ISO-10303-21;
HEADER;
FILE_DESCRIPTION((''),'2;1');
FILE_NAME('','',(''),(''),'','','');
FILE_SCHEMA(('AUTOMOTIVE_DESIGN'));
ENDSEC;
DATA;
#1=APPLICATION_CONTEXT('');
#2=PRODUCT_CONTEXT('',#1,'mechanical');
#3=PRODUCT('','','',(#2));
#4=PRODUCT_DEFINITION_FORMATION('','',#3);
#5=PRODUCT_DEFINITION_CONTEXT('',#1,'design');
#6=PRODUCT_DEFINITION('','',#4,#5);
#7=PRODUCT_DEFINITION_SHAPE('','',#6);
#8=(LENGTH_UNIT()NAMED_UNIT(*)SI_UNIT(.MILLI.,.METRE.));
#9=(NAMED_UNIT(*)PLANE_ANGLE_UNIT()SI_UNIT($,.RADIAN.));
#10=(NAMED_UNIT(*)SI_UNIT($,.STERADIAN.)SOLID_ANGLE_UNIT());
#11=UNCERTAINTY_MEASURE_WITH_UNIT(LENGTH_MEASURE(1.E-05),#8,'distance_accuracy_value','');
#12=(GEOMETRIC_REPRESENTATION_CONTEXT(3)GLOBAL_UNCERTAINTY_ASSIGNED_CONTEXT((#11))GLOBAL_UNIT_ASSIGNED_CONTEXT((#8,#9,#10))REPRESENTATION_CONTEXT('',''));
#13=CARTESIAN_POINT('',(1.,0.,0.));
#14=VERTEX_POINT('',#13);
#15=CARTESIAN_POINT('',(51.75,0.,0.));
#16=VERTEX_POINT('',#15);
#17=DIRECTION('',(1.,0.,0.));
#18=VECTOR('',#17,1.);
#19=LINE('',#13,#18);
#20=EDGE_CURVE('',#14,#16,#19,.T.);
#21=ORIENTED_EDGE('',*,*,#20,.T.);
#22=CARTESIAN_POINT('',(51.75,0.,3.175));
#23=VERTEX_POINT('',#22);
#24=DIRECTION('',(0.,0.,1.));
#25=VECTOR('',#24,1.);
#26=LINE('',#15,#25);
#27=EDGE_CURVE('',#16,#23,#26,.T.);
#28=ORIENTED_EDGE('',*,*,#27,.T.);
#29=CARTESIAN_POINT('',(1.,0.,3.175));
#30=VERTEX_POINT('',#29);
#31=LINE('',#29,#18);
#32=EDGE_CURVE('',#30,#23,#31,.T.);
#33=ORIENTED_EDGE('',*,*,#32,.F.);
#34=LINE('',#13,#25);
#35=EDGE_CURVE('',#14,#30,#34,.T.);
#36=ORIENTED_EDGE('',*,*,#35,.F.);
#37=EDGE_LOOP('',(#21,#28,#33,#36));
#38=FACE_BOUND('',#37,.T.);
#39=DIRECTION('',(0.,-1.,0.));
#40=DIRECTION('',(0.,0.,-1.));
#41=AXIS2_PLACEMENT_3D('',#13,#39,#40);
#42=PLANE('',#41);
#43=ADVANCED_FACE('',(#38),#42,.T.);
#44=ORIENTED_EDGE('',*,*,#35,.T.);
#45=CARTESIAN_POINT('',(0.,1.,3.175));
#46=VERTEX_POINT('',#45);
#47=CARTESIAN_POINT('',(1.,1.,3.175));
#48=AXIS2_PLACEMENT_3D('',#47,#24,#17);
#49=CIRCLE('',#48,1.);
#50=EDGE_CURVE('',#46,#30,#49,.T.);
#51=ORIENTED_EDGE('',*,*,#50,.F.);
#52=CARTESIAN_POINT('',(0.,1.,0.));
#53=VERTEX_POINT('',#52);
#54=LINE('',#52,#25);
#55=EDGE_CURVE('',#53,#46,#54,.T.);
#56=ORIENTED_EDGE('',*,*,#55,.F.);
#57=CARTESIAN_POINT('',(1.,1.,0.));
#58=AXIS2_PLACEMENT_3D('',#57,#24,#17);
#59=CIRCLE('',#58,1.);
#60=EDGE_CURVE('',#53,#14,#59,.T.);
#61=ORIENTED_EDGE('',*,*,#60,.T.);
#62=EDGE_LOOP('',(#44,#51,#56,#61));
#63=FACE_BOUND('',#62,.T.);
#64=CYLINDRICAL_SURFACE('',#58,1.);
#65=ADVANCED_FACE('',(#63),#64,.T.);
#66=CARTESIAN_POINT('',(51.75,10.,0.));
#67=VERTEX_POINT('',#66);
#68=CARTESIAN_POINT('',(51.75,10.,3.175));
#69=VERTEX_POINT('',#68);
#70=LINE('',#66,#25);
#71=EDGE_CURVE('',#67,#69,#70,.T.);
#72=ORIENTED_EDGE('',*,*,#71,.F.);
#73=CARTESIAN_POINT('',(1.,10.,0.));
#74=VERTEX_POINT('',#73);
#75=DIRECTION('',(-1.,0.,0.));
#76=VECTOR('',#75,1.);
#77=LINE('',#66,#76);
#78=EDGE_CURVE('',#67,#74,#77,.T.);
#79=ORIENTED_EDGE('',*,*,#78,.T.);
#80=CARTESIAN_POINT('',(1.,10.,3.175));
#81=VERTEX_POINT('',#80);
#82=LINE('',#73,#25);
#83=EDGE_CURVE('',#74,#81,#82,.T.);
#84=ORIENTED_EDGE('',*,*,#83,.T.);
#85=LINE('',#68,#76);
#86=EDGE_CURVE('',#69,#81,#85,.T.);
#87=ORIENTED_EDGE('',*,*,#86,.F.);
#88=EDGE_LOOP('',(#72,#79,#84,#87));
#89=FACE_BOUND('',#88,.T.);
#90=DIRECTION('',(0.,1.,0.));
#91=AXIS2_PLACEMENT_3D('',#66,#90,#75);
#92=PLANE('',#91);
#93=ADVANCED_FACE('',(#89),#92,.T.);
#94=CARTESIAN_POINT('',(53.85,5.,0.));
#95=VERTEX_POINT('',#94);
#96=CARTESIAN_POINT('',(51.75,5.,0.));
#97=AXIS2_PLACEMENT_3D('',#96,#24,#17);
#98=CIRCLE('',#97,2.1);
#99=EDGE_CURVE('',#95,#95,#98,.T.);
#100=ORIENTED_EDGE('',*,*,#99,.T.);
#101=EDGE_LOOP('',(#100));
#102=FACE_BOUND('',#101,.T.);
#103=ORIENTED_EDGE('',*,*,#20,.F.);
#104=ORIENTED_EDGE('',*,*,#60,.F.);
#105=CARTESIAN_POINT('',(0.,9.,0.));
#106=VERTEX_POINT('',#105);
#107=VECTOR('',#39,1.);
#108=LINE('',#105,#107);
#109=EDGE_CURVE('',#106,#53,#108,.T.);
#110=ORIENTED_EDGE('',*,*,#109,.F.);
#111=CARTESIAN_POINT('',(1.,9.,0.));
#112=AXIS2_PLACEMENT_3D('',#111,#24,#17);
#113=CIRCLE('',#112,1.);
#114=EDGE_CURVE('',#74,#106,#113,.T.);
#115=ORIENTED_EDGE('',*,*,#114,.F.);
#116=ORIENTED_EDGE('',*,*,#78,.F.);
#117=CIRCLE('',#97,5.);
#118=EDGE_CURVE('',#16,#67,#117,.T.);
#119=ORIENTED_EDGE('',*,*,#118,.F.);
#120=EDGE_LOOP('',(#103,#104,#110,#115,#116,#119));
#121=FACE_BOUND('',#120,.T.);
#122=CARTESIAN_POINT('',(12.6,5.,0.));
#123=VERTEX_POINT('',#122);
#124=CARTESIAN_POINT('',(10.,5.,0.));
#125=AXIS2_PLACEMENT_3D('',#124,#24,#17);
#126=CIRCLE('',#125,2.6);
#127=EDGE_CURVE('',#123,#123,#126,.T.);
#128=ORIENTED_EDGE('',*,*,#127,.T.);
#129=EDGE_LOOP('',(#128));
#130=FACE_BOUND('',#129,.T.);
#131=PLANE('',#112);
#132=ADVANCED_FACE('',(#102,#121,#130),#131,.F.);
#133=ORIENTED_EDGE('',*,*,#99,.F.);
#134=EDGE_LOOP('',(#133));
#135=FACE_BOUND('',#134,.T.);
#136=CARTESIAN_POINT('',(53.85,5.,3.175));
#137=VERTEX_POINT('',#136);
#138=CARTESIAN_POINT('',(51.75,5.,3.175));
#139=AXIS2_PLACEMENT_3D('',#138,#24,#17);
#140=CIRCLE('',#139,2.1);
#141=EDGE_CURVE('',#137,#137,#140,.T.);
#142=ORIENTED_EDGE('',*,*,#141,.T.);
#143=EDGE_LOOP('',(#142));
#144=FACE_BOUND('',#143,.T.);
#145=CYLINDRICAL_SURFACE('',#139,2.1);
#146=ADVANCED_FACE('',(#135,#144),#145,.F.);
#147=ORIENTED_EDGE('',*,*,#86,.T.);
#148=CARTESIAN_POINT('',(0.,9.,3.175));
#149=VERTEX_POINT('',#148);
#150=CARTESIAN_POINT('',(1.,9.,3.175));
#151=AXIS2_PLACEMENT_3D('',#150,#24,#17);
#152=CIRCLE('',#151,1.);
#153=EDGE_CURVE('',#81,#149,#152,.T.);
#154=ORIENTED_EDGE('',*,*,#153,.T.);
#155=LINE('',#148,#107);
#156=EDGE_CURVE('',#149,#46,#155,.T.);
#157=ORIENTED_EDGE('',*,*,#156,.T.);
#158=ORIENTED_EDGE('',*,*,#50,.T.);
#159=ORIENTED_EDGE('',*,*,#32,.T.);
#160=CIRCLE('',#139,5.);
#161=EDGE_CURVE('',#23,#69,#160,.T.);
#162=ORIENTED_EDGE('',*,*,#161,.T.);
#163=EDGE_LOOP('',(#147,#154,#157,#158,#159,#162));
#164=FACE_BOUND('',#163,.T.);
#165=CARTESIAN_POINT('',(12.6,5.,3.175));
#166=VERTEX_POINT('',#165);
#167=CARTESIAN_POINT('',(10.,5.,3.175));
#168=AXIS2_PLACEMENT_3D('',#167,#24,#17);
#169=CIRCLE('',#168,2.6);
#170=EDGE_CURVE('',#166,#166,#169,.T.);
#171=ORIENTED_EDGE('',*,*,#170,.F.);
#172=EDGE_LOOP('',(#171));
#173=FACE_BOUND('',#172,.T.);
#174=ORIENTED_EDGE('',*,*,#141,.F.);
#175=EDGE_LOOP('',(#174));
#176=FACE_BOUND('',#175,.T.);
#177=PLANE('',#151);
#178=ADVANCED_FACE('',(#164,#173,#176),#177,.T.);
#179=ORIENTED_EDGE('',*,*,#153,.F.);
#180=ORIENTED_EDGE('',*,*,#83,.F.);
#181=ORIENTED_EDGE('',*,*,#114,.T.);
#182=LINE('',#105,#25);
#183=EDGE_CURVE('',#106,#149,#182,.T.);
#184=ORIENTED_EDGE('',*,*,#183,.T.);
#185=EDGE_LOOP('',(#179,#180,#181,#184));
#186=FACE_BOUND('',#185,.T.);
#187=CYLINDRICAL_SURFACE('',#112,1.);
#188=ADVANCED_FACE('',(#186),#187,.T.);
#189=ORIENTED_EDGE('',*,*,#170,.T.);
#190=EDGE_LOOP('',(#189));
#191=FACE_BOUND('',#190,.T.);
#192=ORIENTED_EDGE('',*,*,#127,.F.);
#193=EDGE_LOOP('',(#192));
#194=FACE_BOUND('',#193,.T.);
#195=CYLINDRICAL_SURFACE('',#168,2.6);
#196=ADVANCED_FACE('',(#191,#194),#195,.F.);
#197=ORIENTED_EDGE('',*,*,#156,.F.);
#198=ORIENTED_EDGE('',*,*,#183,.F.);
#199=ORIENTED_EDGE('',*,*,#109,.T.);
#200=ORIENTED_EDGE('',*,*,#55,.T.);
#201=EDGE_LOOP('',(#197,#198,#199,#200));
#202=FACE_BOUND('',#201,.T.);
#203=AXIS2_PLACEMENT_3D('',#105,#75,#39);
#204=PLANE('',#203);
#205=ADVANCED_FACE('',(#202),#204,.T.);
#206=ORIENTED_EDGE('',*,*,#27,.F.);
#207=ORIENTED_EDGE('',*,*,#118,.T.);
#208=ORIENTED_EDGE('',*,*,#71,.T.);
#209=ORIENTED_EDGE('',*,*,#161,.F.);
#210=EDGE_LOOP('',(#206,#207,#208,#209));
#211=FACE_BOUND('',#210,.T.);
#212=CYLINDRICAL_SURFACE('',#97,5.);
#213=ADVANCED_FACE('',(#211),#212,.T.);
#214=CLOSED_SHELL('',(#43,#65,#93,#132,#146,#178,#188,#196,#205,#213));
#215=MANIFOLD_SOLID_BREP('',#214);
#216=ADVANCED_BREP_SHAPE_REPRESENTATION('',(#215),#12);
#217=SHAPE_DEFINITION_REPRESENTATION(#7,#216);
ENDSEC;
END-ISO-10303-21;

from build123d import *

# Parameters (mm, degrees)
BOSS_EXTRUDE1_DEPTH        = 3.175
F_4_2_4_2_DIAMETER_HOLE1_D = 4.2
F_5_2_5_2_DIAMETER_HOLE1_D = 5.2


with BuildPart() as part:
    # Sketch1 → Boss-Extrude1 (new body)
    with BuildSketch(Plane.XY.offset(3.175)):
        with BuildLine():
            Line((0, 9), (0, 1))
            ThreePointArc((0, 1), (0.292893219, 0.292893219), (1, 0))
            Line((1, 0), (51.75, 0))
            ThreePointArc((51.75, 0), (56.75, 5), (51.75, 10))
            Line((51.75, 10), (1, 10))
            ThreePointArc((1, 10), (0.292893219, 9.707106781), (0, 9))
        make_face()
    extrude(amount=-BOSS_EXTRUDE1_DEPTH)

    # Ø4.2 (4.2) Diameter Hole1 (through all)
    with Locations(Plane.XY.offset(3.175)):
        with Locations((51.75, 5)):
            Hole(F_4_2_4_2_DIAMETER_HOLE1_D / 2)

    # Ø5.2 (5.2) Diameter Hole1 (through all)
    with Locations(Plane.XY.offset(3.175)):
        with Locations((10, 5)):
            Hole(F_5_2_5_2_DIAMETER_HOLE1_D / 2)


solid = part.part
